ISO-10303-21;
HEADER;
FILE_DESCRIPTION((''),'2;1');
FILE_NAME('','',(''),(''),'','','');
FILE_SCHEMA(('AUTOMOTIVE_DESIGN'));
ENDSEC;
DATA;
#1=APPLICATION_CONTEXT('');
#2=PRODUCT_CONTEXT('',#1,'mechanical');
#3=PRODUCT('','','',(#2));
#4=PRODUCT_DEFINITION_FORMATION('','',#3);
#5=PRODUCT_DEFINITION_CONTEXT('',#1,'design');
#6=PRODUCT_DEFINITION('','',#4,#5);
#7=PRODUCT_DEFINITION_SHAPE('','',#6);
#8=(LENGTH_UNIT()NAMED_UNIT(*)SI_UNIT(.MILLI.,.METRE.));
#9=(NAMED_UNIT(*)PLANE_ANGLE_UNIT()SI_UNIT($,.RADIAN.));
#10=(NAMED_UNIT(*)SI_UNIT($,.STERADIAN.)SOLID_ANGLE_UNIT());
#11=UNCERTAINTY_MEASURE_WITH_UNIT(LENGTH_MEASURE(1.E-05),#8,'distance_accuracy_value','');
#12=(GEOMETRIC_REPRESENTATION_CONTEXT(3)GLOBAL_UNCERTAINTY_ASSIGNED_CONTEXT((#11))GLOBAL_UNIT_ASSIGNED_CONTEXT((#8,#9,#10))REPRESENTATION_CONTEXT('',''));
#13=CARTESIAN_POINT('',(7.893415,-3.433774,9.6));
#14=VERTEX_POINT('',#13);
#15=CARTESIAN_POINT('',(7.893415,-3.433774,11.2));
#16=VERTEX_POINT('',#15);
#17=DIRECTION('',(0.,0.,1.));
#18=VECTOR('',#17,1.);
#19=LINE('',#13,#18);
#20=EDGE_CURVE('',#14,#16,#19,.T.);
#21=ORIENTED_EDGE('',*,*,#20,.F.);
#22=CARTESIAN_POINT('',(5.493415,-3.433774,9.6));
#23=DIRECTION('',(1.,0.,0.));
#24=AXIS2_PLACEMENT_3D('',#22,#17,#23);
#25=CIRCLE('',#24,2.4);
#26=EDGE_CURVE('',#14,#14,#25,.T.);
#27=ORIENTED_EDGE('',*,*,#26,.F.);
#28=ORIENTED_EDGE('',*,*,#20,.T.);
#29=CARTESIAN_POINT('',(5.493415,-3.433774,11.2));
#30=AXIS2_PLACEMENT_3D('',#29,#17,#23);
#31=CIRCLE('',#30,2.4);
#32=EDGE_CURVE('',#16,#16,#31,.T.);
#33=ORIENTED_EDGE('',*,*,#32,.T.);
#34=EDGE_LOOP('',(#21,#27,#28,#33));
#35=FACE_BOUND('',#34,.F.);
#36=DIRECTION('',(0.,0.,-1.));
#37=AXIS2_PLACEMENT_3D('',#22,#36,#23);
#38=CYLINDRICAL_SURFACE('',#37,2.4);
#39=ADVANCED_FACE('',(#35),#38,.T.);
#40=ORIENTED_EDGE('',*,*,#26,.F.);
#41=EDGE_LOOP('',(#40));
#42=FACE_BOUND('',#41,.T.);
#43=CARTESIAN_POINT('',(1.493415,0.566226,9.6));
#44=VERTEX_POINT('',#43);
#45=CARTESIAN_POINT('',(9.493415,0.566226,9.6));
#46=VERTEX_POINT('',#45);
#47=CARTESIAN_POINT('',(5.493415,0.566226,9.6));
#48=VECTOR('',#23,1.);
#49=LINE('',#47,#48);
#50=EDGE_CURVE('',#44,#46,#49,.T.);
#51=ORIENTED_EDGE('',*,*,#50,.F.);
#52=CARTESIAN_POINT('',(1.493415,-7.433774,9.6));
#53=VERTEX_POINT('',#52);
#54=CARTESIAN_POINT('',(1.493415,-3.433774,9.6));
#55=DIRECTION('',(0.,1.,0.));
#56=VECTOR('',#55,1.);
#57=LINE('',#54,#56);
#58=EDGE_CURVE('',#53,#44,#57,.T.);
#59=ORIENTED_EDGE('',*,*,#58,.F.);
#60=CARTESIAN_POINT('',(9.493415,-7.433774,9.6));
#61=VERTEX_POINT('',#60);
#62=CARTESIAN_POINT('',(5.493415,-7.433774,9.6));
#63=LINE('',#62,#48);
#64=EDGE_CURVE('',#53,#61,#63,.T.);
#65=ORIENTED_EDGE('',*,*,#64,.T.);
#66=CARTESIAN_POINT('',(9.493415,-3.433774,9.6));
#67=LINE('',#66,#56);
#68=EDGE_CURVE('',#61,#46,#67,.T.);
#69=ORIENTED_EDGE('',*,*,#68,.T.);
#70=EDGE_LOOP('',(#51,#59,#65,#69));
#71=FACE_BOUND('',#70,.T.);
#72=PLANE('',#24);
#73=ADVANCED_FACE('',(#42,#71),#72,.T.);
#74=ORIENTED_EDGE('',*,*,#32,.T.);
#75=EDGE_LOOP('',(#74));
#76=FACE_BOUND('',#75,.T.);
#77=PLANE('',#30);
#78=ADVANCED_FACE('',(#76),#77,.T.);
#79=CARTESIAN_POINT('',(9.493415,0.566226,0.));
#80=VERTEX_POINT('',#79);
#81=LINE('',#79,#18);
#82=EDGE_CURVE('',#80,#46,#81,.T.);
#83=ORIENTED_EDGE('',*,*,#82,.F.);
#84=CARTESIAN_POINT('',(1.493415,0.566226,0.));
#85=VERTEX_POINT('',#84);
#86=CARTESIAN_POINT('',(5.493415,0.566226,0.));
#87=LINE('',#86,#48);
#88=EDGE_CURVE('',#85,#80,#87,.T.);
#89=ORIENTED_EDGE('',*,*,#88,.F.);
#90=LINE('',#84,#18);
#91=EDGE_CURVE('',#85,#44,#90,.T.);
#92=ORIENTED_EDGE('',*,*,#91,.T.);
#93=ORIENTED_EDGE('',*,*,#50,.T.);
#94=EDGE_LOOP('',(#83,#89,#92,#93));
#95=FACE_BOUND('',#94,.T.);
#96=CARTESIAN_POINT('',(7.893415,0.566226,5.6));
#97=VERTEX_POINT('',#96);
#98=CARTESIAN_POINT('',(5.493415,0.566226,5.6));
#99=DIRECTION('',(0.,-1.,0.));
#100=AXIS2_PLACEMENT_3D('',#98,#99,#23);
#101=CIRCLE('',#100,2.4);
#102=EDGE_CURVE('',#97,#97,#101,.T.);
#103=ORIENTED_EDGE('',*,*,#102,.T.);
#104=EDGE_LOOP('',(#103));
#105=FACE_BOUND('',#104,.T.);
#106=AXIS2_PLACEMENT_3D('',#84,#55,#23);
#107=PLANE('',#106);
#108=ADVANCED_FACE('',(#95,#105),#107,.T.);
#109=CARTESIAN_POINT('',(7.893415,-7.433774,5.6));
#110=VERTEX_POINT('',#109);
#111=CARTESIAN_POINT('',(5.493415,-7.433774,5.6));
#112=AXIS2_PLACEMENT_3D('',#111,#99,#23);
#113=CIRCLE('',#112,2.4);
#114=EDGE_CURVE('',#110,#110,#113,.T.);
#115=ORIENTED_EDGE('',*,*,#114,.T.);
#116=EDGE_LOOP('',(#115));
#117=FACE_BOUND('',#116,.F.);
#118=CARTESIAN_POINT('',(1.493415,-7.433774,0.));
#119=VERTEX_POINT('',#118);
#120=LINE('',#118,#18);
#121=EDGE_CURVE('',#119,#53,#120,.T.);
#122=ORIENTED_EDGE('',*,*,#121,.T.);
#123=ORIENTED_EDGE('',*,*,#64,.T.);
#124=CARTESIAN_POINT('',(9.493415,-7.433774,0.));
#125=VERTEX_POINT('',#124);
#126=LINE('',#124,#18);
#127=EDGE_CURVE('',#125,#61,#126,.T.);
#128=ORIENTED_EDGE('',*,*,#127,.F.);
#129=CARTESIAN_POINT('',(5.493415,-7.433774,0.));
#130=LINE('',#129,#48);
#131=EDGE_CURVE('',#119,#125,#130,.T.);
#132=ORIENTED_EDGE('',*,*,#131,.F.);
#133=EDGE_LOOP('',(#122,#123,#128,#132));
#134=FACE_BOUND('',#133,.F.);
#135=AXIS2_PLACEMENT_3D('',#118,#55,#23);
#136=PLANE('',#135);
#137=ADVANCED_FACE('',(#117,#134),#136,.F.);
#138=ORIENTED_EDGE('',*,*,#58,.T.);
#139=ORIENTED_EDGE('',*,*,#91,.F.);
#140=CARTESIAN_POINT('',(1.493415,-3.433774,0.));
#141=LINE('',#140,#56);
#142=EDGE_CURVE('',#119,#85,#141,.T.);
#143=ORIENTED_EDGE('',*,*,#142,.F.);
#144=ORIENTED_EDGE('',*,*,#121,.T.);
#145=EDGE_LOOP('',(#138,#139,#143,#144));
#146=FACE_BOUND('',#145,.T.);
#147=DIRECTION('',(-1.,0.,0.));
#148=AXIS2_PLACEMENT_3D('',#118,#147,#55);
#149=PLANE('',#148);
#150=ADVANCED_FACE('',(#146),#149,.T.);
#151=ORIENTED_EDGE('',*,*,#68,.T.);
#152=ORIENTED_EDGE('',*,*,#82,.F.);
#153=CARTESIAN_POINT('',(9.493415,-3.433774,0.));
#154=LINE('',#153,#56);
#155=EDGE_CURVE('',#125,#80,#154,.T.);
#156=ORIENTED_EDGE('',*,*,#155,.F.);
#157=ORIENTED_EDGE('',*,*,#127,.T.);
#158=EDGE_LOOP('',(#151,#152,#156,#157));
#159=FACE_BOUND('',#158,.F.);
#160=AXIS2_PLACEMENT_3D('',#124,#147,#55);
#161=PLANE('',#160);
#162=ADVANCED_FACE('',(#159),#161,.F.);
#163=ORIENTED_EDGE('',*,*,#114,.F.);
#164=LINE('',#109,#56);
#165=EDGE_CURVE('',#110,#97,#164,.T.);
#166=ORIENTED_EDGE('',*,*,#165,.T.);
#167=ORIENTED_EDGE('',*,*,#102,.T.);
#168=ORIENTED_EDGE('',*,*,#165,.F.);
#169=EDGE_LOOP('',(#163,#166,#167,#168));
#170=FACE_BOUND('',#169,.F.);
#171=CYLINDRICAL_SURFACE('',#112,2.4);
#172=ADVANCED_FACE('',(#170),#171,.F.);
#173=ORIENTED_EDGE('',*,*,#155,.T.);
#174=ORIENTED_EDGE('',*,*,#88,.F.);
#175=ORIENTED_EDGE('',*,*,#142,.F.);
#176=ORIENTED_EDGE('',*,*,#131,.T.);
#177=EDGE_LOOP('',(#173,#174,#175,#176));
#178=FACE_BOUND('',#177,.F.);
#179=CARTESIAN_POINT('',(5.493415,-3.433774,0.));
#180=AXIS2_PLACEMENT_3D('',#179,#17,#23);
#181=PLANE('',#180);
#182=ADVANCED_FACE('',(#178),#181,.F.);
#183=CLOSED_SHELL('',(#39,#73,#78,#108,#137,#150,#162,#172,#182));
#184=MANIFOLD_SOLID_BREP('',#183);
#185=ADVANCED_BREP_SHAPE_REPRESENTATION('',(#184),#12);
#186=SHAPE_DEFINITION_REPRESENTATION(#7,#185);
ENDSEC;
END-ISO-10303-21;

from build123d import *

# Parameters (mm, degrees)
F0_W     = 8
F0_H     = 8
F1_DEPTH = 9.6
F2_R     = 2.4
F3_DEPTH = 25
F4_R     = 2.4
F5_DEPTH = 1.6


with BuildPart() as f1:
    # F0 (on Top) → F1 (new body)
    with BuildSketch(Plane.XY):
        with Locations((5.493415, -3.433774)):
            Rectangle(F0_W, F0_H)
    extrude(amount=F1_DEPTH)

    # F2 (on face) → F3 (cut)
    with BuildSketch(Plane.XZ.offset(7.433774)):
        with Locations((5.493415, 5.6)):
            Circle(F2_R)
    extrude(amount=-F3_DEPTH, mode=Mode.SUBTRACT)

    # F4 (on face) → F5 (join)
    with BuildSketch(Plane.XY.offset(9.6)):
        with Locations((5.493415, -3.433774)):
            Circle(F4_R)
    extrude(amount=F5_DEPTH)


solid = f1.part
